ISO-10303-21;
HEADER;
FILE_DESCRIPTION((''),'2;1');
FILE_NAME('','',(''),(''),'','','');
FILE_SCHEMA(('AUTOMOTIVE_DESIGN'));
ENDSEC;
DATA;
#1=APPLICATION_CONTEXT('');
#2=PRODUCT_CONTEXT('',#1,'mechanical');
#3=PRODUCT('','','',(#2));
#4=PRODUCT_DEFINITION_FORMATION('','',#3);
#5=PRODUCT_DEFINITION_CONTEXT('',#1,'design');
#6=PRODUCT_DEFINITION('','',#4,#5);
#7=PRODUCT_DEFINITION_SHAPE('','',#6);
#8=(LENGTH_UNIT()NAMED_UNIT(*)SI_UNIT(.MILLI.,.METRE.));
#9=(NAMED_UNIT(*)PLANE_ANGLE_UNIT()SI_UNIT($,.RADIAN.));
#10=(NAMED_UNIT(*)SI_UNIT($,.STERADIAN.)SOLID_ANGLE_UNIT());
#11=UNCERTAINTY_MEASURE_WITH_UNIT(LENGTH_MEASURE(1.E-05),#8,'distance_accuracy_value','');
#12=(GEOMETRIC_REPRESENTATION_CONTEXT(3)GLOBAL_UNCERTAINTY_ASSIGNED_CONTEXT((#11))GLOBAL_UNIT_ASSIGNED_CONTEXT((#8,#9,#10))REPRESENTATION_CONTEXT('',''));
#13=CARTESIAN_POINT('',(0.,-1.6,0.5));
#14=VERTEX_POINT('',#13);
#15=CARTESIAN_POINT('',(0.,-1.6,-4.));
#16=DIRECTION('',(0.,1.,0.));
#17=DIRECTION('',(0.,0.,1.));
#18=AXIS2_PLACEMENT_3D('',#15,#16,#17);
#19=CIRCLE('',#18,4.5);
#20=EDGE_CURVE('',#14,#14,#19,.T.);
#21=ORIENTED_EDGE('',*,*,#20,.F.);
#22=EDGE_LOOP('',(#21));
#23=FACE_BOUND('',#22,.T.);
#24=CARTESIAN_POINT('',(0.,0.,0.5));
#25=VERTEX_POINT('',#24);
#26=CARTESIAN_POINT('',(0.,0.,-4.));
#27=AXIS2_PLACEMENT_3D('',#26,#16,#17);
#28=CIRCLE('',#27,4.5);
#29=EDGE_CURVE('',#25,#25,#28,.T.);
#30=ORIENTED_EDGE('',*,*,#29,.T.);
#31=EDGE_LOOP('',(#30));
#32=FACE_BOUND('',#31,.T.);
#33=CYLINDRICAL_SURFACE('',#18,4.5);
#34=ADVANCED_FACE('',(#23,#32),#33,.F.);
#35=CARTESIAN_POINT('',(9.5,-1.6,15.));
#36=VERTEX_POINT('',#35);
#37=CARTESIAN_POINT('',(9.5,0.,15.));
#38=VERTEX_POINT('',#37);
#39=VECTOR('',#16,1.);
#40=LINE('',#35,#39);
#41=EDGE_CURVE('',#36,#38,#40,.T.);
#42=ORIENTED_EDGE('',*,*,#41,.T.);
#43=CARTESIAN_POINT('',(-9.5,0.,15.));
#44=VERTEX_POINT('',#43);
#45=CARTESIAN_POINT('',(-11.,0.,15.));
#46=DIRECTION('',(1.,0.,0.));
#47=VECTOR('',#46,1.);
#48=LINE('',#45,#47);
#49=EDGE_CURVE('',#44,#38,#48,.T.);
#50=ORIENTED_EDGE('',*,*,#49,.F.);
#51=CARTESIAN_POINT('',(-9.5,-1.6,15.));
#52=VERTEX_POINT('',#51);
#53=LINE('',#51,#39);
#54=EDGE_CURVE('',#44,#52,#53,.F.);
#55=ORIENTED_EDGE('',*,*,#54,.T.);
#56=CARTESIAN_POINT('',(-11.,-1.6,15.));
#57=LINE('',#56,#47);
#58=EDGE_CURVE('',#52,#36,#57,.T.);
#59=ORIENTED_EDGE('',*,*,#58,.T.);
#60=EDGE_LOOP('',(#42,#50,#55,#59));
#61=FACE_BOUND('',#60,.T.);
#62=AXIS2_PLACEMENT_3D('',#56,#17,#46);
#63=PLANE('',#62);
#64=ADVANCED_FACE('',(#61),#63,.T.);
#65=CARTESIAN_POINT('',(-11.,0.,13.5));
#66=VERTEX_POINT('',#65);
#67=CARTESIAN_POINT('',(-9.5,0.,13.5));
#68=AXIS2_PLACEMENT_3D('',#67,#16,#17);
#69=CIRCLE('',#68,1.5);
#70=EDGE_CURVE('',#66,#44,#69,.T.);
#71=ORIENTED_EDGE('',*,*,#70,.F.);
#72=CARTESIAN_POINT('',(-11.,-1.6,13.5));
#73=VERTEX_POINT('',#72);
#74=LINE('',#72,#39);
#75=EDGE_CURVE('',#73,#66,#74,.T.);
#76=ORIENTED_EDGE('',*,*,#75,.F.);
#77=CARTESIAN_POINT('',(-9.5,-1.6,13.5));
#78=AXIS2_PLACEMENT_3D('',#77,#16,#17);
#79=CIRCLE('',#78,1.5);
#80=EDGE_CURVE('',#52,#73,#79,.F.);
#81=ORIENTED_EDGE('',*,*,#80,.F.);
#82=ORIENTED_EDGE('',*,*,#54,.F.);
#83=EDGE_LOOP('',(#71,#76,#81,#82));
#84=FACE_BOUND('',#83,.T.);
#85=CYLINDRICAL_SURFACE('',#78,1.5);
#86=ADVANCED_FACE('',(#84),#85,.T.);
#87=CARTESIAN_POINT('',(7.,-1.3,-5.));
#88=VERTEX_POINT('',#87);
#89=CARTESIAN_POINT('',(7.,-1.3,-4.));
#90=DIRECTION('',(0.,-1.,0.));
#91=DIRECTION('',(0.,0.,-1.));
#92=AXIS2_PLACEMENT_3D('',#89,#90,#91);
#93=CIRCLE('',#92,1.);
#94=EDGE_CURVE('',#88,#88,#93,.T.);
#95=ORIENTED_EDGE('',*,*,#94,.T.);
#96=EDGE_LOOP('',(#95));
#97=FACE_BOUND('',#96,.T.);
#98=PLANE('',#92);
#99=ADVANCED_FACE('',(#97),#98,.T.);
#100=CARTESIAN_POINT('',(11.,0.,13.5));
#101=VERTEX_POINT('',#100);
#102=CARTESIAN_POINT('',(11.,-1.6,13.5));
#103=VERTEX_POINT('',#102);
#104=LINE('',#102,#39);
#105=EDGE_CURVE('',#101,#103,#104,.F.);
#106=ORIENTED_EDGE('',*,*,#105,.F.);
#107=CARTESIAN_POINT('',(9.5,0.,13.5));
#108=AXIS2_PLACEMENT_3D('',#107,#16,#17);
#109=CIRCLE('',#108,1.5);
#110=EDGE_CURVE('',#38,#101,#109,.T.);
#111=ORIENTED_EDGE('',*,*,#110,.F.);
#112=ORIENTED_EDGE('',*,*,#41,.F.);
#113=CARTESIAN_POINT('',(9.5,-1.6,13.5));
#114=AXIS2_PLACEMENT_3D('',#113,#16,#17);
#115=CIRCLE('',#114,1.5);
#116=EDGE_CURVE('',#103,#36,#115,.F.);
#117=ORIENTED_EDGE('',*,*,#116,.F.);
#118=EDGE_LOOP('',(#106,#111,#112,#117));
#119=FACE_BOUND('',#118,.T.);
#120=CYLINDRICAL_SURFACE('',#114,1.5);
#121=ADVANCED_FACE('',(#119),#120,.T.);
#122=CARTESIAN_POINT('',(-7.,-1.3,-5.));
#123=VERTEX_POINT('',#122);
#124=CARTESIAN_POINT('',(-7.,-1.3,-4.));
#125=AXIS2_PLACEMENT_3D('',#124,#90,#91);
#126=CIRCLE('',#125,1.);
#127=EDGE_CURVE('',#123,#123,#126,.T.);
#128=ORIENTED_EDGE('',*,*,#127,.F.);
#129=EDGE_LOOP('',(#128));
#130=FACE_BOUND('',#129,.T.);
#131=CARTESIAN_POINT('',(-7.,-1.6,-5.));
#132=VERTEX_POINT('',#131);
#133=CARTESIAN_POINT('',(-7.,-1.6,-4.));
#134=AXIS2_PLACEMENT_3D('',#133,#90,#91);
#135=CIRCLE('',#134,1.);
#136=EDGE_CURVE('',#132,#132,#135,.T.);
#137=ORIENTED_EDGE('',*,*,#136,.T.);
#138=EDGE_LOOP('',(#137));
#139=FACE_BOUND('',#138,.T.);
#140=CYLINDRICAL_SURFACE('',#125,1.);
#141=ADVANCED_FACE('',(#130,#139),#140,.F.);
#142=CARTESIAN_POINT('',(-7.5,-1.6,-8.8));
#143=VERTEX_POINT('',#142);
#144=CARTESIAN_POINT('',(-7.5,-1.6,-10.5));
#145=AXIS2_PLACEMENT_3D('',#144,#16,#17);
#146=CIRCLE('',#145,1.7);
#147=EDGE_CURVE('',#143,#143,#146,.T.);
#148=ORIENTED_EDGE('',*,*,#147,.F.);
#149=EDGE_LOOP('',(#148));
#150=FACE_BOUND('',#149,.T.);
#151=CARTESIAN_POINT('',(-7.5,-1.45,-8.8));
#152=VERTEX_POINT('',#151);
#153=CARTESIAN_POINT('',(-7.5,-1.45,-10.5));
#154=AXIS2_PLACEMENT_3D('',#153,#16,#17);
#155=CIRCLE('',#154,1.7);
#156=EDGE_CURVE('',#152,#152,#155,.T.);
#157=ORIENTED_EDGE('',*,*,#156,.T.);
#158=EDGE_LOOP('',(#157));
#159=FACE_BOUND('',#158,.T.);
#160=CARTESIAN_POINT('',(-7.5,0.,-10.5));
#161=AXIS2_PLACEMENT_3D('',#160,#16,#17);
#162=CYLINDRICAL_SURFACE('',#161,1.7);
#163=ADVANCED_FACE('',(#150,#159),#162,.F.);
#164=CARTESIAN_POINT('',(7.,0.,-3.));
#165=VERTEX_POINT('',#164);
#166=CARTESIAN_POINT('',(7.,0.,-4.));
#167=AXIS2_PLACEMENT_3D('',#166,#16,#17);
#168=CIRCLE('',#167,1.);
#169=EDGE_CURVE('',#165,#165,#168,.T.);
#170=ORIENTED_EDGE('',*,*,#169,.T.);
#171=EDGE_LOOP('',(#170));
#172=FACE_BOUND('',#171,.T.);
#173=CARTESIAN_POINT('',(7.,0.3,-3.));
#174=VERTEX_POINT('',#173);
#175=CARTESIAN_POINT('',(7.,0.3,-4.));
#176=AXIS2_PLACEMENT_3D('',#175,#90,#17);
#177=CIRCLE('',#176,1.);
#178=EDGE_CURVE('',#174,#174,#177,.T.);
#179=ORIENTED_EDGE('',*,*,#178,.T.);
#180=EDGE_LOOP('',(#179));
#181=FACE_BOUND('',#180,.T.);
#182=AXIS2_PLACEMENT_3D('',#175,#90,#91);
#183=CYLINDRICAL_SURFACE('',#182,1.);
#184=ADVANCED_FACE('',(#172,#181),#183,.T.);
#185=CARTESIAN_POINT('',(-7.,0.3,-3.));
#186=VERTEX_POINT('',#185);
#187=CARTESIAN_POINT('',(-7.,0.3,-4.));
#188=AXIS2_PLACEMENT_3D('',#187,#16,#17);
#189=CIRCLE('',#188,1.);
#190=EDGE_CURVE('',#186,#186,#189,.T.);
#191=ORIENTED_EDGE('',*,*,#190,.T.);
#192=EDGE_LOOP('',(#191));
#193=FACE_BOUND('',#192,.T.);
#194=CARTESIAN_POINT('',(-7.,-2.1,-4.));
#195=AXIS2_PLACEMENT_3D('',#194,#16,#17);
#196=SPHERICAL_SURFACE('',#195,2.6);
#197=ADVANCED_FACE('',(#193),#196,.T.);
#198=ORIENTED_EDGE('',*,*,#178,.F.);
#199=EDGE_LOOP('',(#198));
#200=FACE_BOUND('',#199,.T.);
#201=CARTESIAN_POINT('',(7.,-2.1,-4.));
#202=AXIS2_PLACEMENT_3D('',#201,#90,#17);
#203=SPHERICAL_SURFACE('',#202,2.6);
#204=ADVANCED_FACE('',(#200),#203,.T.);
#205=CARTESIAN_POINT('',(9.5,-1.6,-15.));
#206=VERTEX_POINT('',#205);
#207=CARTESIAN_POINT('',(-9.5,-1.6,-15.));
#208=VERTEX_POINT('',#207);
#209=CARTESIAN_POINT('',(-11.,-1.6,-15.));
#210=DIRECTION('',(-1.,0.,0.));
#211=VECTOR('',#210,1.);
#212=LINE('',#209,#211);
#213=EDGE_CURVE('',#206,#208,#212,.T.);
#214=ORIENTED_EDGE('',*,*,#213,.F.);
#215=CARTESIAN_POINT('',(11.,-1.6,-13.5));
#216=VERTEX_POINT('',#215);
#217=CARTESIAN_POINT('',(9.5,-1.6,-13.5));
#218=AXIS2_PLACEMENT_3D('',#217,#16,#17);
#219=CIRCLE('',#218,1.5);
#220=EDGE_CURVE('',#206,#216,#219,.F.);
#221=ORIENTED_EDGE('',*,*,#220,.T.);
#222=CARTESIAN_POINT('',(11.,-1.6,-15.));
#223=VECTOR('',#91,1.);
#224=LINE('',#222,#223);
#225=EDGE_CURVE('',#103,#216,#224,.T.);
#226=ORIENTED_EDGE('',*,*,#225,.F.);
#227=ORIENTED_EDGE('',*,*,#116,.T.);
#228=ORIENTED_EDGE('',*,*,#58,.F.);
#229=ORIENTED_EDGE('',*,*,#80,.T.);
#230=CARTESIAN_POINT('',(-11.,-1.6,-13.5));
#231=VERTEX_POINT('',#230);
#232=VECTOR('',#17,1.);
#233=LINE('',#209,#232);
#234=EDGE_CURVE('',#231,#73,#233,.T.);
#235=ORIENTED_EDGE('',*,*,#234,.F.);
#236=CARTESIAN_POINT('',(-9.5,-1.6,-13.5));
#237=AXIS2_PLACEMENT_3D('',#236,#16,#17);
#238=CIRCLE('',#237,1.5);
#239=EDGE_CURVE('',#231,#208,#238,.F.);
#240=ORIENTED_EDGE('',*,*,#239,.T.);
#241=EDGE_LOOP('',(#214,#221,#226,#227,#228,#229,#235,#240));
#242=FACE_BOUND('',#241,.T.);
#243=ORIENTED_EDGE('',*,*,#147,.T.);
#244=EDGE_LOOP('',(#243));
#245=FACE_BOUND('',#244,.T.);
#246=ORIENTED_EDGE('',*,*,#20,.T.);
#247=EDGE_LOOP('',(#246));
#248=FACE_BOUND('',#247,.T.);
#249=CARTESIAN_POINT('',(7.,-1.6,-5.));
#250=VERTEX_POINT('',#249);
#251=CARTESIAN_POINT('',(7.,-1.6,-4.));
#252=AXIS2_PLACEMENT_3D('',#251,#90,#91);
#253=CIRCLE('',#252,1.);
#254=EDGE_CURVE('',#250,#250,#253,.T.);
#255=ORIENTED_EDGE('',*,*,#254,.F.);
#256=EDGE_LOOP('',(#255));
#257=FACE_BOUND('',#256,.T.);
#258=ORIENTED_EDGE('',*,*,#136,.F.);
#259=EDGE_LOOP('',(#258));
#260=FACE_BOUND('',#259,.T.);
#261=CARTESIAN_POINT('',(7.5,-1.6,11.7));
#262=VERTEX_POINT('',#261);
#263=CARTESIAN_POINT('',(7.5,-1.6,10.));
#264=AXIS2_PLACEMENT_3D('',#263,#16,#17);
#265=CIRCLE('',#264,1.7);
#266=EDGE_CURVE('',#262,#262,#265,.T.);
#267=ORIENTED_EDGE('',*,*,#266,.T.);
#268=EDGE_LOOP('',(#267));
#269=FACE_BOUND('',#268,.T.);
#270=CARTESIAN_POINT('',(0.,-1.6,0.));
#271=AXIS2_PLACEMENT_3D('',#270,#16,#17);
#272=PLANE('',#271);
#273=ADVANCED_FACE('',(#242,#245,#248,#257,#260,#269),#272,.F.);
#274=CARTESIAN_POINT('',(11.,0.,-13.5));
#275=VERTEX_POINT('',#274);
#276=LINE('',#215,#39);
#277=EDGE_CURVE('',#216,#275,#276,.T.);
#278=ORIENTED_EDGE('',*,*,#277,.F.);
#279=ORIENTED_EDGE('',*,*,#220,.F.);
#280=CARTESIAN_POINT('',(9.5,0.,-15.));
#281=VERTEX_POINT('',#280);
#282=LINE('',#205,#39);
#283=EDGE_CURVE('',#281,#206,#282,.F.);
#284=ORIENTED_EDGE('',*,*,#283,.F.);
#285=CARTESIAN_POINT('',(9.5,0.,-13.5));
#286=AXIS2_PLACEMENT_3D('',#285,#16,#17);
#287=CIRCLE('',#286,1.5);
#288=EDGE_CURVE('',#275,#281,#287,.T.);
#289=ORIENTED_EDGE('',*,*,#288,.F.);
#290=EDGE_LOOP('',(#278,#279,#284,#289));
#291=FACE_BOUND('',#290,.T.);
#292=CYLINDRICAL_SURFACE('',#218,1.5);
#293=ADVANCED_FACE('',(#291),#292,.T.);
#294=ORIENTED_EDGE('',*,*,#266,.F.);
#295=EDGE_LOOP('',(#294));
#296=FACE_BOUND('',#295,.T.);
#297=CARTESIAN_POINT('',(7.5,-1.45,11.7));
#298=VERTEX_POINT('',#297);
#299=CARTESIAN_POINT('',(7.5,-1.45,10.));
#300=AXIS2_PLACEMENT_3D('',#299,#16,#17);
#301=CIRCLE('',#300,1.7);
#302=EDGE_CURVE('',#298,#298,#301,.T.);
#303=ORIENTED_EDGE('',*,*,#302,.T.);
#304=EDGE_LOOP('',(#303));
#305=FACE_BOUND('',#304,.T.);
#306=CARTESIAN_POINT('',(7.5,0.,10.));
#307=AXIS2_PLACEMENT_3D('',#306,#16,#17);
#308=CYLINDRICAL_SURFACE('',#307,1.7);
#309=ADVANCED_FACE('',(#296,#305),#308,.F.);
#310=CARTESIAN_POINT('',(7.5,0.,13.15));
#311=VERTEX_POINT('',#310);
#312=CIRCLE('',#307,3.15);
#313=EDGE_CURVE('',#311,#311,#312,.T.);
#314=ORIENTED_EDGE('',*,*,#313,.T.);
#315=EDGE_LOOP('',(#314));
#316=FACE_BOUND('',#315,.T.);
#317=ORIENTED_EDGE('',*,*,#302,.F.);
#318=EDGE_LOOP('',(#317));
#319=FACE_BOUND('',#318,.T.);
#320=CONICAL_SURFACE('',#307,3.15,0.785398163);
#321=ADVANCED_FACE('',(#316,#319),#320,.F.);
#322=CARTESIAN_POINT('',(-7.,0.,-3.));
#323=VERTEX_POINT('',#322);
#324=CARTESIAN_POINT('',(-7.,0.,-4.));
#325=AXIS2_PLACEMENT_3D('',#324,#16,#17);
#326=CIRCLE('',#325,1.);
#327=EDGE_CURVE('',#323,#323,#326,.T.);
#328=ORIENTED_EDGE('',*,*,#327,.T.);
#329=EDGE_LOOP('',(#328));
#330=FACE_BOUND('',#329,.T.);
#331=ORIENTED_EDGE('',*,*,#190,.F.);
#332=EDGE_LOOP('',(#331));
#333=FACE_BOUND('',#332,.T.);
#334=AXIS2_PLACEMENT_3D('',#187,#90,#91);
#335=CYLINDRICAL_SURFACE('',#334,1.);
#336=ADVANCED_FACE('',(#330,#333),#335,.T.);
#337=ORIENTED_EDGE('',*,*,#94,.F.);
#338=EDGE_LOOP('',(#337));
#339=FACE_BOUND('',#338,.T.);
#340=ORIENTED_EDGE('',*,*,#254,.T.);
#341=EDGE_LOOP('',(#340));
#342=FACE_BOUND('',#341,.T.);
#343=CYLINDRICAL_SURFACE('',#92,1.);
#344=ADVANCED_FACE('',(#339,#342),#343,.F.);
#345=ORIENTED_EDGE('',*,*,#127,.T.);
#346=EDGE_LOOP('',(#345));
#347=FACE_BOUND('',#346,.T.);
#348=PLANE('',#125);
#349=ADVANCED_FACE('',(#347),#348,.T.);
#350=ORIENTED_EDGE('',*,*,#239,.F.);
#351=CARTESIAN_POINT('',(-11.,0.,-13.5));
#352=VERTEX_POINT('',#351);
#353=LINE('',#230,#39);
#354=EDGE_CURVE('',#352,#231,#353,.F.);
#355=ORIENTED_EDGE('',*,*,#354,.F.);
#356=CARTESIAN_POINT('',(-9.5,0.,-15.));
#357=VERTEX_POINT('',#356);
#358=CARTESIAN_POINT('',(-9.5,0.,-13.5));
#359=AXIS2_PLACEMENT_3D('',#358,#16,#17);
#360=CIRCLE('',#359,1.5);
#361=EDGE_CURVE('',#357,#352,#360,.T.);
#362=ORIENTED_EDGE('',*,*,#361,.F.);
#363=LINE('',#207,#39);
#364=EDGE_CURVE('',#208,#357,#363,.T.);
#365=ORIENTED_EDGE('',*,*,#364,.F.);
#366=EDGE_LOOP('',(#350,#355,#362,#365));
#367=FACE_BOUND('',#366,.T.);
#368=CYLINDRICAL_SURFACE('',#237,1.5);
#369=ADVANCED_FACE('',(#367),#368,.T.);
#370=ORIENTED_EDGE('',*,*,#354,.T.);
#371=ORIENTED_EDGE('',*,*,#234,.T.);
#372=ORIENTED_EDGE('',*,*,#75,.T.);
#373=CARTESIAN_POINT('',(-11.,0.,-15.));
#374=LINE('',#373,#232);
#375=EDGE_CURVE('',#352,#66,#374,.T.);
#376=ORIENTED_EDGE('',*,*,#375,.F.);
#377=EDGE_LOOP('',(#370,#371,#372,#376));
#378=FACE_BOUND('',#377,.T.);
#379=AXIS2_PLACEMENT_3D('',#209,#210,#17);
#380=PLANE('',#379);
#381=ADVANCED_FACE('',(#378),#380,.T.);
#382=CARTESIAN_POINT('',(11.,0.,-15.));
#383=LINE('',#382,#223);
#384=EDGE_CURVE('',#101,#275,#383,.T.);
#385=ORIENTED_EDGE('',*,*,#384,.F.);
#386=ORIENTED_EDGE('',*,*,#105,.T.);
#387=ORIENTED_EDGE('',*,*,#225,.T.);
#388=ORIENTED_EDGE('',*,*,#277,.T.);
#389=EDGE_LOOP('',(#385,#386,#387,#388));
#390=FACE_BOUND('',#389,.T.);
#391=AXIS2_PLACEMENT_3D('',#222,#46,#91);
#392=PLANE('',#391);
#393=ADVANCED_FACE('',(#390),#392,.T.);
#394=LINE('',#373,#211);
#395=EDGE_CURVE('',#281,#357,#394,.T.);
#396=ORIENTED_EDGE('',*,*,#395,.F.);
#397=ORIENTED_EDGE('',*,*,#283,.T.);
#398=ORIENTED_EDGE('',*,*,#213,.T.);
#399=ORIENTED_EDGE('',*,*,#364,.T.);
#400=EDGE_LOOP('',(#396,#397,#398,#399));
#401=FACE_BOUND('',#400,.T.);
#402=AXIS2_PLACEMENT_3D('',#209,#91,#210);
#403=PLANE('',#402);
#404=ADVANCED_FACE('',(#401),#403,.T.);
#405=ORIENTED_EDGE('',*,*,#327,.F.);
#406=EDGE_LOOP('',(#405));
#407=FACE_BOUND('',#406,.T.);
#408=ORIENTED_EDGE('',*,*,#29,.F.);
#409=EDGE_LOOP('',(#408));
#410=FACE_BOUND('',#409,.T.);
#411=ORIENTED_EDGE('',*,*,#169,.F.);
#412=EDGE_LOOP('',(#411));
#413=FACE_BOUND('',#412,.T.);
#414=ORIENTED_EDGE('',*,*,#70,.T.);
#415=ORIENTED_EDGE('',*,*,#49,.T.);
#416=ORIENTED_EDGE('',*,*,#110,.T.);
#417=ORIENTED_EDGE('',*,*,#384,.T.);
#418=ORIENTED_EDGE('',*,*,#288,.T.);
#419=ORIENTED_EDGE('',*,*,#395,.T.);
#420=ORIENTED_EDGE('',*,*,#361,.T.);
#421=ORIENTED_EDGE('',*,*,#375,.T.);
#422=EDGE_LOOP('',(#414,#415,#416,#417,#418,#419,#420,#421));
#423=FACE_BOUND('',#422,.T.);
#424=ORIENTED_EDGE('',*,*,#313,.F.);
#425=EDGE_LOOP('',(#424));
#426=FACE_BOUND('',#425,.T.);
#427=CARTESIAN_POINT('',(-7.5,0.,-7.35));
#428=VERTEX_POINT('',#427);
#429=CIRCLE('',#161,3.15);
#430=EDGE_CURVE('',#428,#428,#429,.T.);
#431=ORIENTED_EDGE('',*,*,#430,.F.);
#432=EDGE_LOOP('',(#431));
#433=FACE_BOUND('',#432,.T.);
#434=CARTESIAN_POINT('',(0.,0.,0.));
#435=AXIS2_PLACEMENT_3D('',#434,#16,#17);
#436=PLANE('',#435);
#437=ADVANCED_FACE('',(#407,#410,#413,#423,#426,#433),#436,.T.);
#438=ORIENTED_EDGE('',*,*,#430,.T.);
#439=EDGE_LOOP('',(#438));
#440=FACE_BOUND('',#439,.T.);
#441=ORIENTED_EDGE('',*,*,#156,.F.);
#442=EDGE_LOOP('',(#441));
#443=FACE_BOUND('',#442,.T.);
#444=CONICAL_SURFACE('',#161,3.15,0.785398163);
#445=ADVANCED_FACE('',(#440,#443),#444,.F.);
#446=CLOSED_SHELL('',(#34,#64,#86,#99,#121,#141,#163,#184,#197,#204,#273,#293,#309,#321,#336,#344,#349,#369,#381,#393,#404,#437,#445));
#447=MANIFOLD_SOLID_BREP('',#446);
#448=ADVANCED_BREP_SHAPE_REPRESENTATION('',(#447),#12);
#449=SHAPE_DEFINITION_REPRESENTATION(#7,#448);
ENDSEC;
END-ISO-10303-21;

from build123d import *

# Parameters (mm, degrees)
BASES_W                                         = 22
BASES_H                                         = 30
BASE_DEPTH                                      = 1.6
CSK_FOR_M3_FLAT_HEAD_MACHINE_SCREW1_D           = 3.4
CSK_FOR_M3_FLAT_HEAD_MACHINE_SCREW1_DEPTH       = 11
CSK_FOR_M3_FLAT_HEAD_MACHINE_SCREW1_CSINK_D     = 6.3
CSK_FOR_M3_FLAT_HEAD_MACHINE_SCREW1_CSINK_ANGLE = 90
CSK_FOR_M3_FLAT_HEAD_MACHINE_SCREW1_TIP         = 1.021463052
BORES_R                                         = 4.5
BORE_DEPTH                                      = 19.669761648
LOCKINGFEATURES_R                               = 1
LOCKING_FEATURE_DEPTH                           = 0.3
LF_DOME_FACE_RADIUS                             = 1
LF_DOME_HEIGHT                                  = 0.2
LF_HM_COPY_1_FACE_RADIUS                        = 1
LF_HM_COPY_1_HEIGHT                             = 0.2
LFBOTTOMCUT_R                                   = 1
LF_BOTTOM_CUT_DEPTH                             = 0.3
BASE_FILLET_R                                   = 1.5


with BuildPart() as part:
    # BaseS → BASE (new body)
    with BuildSketch(Plane(origin=(0, 0, 0), x_dir=(1, 0, 0), z_dir=(0, 1, 0))):
        Rectangle(BASES_W, BASES_H)
    extrude(amount=-BASE_DEPTH)

    # CSK for M3 Flat Head Machine Screw1
    with Locations(Plane(origin=(0, 0, 0), x_dir=(1, 0, 0), z_dir=(0, 1, 0))):
        with Locations((-7.5, 10.5), (7.5, -10)):
            CounterSinkHole(CSK_FOR_M3_FLAT_HEAD_MACHINE_SCREW1_D / 2, CSK_FOR_M3_FLAT_HEAD_MACHINE_SCREW1_CSINK_D / 2, depth=CSK_FOR_M3_FLAT_HEAD_MACHINE_SCREW1_DEPTH, counter_sink_angle=CSK_FOR_M3_FLAT_HEAD_MACHINE_SCREW1_CSINK_ANGLE)
            with Locations((0, 0, -(CSK_FOR_M3_FLAT_HEAD_MACHINE_SCREW1_DEPTH + CSK_FOR_M3_FLAT_HEAD_MACHINE_SCREW1_TIP / 2))):  # 118° drill point
                Cone(0, CSK_FOR_M3_FLAT_HEAD_MACHINE_SCREW1_D / 2, CSK_FOR_M3_FLAT_HEAD_MACHINE_SCREW1_TIP, mode=Mode.SUBTRACT)

    # BoreS → BORE (cut, through all)
    with BuildSketch(Plane(origin=(0, 0, 0), x_dir=(1, 0, 0), z_dir=(0, 1, 0))):
        with Locations(Location((0, 4, 0), (0, 0, 270))):
            Circle(BORES_R)
    extrude(amount=-BORE_DEPTH, mode=Mode.SUBTRACT)

    # LockingFeatureS → LOCKING FEATURE (add)
    with BuildSketch(Plane(origin=(0, 0, 0), x_dir=(1, 0, 0), z_dir=(0, 1, 0))):
        with Locations(Location((-7, 4, 0), (0, 0, 270))):
            Circle(LOCKINGFEATURES_R)
    locking_feature = extrude(amount=LOCKING_FEATURE_DEPTH)

    # LF DOME: a dome of height H over a round flat face of radius A is a cap of a sphere of radius (A * A + H * H) / (2 * H)
    lf_dome_r = (LF_DOME_FACE_RADIUS * LF_DOME_FACE_RADIUS + LF_DOME_HEIGHT * LF_DOME_HEIGHT) / (2 * LF_DOME_HEIGHT)
    lf_dome_base = Plane((-7, 0.3, -4), z_dir=(0, 1, 0))
    with Locations(lf_dome_base.offset(LF_DOME_HEIGHT - lf_dome_r)):
        lf_dome_ball = Sphere(lf_dome_r, mode=Mode.PRIVATE)
    add(split(lf_dome_ball, bisect_by=lf_dome_base, keep=Keep.TOP, mode=Mode.PRIVATE))

    # LF HM: LOCKING FEATURE across plane
    add(locking_feature.mirror(Plane(origin=(0, 0, 0), x_dir=(0, 0, 1), z_dir=(1, 0, 0))))

    # LF HM copy 1: a dome of height H over a round flat face of radius A is a cap of a sphere of radius (A * A + H * H) / (2 * H)
    lf_hm_copy_1_r = (LF_HM_COPY_1_FACE_RADIUS * LF_HM_COPY_1_FACE_RADIUS + LF_HM_COPY_1_HEIGHT * LF_HM_COPY_1_HEIGHT) / (2 * LF_HM_COPY_1_HEIGHT)
    lf_hm_copy_1_base = Plane((7, 0.3, -4), z_dir=(0, 1, 0))
    with Locations(lf_hm_copy_1_base.offset(LF_HM_COPY_1_HEIGHT - lf_hm_copy_1_r)):
        lf_hm_copy_1_ball = Sphere(lf_hm_copy_1_r, mode=Mode.PRIVATE)
    add(split(lf_hm_copy_1_ball, bisect_by=lf_hm_copy_1_base, keep=Keep.TOP, mode=Mode.PRIVATE))

    # LFBottomCut → LF BOTTOM CUT (cut)
    with BuildSketch(Plane(origin=(0, -1.6, 0), x_dir=(-1, 0, 0), z_dir=(0, -1, 0))):
        with Locations(Location((7, 4, 0), (0, 0, 270))):
            Circle(LFBOTTOMCUT_R)
        with Locations(Location((-7, 4, 0), (0, 0, 270))):
            Circle(LFBOTTOMCUT_R)
    extrude(amount=-LF_BOTTOM_CUT_DEPTH, mode=Mode.SUBTRACT)

    # BASE FILLET
    base_fillet_edges = [part.edges().sort_by_distance(p)[0] for p in [
        (11, -0.8, 15),
        (-11, -0.8, 15),
        (-11, -0.8, -15),
        (11, -0.8, -15),
    ]]
    fillet(base_fillet_edges, radius=BASE_FILLET_R)


solid = part.part
